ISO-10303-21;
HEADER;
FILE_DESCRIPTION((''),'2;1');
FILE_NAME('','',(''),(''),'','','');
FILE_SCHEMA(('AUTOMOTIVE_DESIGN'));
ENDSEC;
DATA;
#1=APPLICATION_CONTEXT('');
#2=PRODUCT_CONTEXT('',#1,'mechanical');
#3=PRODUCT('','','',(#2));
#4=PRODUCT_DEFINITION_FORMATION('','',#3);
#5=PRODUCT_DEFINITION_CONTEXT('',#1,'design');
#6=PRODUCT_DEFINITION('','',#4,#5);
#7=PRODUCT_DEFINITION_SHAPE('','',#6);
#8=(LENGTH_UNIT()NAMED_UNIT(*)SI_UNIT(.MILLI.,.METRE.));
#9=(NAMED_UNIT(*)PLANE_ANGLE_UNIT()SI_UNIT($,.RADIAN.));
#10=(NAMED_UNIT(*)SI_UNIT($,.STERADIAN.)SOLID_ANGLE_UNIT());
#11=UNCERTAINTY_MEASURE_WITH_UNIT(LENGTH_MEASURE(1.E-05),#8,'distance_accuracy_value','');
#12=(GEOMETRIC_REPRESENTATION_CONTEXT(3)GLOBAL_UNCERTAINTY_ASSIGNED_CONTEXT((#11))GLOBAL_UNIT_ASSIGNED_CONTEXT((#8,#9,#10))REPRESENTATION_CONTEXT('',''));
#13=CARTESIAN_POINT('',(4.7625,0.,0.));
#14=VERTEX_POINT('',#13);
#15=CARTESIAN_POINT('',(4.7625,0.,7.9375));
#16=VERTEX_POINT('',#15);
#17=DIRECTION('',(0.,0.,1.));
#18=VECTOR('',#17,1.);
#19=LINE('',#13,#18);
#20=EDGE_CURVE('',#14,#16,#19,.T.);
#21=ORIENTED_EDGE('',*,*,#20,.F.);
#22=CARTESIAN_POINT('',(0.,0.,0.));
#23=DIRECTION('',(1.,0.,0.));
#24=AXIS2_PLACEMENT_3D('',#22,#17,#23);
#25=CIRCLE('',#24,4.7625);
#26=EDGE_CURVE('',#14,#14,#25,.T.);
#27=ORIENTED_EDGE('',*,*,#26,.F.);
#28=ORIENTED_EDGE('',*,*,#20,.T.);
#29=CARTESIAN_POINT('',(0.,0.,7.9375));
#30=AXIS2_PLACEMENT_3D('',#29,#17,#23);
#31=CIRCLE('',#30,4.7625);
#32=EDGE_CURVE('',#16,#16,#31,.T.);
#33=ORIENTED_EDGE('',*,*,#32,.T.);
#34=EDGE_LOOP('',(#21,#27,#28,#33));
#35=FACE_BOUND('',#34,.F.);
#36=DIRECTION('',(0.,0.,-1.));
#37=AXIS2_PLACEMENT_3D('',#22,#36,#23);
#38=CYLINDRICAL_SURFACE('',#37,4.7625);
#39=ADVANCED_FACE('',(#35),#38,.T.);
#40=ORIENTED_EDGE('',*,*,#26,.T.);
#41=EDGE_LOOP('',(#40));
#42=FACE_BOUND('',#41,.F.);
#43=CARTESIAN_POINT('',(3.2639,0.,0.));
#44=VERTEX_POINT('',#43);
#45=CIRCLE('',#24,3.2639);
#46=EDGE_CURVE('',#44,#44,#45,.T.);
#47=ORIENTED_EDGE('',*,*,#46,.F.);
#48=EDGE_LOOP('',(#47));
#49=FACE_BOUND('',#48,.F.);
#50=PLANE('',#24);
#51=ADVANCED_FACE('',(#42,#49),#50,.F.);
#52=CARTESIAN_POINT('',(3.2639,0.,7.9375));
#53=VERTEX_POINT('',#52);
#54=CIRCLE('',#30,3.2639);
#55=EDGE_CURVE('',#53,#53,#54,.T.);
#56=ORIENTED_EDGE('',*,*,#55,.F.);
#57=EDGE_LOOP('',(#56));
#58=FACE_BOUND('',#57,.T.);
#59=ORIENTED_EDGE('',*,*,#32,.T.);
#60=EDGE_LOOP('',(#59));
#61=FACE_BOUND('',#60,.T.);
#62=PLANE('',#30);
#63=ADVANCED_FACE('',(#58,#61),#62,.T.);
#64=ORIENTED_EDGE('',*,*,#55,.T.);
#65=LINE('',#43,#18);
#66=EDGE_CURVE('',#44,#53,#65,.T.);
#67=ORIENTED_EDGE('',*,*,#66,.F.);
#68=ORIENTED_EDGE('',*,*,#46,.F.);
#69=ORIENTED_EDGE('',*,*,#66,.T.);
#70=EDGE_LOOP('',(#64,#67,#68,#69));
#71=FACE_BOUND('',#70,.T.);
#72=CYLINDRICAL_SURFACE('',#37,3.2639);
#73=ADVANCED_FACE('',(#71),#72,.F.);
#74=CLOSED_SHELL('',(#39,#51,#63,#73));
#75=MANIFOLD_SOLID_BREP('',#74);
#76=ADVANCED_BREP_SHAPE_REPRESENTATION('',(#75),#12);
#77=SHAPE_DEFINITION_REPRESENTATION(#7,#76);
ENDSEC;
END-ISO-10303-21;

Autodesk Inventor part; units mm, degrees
ref_plane "YZ Plane" through (0, 0, 0) normal (1, 0, 0) x (0, 1, 0)
ref_plane "XZ Plane" through (0, 0, 0) normal (0, 1, 0) x (-1, 0, 0)
ref_plane "XY Plane" through (0, 0, 0) normal (0, 0, 1) x (1, 0, 0)
sketch "Sketch1" plane through (0, 0, 0) normal (0, 0, 1) x (1, 0, 0)
  circle A0 centre (0, 0) radius 4.7625
  circle A1 centre (0, 0) radius 3.2639
  dimension "d0" = 9.525
  dimension "d1" = 6.5278
extrude "Extrusion1" add sketch "Sketch1" along normal blind 7.9375
properties part number "PP-00043"
